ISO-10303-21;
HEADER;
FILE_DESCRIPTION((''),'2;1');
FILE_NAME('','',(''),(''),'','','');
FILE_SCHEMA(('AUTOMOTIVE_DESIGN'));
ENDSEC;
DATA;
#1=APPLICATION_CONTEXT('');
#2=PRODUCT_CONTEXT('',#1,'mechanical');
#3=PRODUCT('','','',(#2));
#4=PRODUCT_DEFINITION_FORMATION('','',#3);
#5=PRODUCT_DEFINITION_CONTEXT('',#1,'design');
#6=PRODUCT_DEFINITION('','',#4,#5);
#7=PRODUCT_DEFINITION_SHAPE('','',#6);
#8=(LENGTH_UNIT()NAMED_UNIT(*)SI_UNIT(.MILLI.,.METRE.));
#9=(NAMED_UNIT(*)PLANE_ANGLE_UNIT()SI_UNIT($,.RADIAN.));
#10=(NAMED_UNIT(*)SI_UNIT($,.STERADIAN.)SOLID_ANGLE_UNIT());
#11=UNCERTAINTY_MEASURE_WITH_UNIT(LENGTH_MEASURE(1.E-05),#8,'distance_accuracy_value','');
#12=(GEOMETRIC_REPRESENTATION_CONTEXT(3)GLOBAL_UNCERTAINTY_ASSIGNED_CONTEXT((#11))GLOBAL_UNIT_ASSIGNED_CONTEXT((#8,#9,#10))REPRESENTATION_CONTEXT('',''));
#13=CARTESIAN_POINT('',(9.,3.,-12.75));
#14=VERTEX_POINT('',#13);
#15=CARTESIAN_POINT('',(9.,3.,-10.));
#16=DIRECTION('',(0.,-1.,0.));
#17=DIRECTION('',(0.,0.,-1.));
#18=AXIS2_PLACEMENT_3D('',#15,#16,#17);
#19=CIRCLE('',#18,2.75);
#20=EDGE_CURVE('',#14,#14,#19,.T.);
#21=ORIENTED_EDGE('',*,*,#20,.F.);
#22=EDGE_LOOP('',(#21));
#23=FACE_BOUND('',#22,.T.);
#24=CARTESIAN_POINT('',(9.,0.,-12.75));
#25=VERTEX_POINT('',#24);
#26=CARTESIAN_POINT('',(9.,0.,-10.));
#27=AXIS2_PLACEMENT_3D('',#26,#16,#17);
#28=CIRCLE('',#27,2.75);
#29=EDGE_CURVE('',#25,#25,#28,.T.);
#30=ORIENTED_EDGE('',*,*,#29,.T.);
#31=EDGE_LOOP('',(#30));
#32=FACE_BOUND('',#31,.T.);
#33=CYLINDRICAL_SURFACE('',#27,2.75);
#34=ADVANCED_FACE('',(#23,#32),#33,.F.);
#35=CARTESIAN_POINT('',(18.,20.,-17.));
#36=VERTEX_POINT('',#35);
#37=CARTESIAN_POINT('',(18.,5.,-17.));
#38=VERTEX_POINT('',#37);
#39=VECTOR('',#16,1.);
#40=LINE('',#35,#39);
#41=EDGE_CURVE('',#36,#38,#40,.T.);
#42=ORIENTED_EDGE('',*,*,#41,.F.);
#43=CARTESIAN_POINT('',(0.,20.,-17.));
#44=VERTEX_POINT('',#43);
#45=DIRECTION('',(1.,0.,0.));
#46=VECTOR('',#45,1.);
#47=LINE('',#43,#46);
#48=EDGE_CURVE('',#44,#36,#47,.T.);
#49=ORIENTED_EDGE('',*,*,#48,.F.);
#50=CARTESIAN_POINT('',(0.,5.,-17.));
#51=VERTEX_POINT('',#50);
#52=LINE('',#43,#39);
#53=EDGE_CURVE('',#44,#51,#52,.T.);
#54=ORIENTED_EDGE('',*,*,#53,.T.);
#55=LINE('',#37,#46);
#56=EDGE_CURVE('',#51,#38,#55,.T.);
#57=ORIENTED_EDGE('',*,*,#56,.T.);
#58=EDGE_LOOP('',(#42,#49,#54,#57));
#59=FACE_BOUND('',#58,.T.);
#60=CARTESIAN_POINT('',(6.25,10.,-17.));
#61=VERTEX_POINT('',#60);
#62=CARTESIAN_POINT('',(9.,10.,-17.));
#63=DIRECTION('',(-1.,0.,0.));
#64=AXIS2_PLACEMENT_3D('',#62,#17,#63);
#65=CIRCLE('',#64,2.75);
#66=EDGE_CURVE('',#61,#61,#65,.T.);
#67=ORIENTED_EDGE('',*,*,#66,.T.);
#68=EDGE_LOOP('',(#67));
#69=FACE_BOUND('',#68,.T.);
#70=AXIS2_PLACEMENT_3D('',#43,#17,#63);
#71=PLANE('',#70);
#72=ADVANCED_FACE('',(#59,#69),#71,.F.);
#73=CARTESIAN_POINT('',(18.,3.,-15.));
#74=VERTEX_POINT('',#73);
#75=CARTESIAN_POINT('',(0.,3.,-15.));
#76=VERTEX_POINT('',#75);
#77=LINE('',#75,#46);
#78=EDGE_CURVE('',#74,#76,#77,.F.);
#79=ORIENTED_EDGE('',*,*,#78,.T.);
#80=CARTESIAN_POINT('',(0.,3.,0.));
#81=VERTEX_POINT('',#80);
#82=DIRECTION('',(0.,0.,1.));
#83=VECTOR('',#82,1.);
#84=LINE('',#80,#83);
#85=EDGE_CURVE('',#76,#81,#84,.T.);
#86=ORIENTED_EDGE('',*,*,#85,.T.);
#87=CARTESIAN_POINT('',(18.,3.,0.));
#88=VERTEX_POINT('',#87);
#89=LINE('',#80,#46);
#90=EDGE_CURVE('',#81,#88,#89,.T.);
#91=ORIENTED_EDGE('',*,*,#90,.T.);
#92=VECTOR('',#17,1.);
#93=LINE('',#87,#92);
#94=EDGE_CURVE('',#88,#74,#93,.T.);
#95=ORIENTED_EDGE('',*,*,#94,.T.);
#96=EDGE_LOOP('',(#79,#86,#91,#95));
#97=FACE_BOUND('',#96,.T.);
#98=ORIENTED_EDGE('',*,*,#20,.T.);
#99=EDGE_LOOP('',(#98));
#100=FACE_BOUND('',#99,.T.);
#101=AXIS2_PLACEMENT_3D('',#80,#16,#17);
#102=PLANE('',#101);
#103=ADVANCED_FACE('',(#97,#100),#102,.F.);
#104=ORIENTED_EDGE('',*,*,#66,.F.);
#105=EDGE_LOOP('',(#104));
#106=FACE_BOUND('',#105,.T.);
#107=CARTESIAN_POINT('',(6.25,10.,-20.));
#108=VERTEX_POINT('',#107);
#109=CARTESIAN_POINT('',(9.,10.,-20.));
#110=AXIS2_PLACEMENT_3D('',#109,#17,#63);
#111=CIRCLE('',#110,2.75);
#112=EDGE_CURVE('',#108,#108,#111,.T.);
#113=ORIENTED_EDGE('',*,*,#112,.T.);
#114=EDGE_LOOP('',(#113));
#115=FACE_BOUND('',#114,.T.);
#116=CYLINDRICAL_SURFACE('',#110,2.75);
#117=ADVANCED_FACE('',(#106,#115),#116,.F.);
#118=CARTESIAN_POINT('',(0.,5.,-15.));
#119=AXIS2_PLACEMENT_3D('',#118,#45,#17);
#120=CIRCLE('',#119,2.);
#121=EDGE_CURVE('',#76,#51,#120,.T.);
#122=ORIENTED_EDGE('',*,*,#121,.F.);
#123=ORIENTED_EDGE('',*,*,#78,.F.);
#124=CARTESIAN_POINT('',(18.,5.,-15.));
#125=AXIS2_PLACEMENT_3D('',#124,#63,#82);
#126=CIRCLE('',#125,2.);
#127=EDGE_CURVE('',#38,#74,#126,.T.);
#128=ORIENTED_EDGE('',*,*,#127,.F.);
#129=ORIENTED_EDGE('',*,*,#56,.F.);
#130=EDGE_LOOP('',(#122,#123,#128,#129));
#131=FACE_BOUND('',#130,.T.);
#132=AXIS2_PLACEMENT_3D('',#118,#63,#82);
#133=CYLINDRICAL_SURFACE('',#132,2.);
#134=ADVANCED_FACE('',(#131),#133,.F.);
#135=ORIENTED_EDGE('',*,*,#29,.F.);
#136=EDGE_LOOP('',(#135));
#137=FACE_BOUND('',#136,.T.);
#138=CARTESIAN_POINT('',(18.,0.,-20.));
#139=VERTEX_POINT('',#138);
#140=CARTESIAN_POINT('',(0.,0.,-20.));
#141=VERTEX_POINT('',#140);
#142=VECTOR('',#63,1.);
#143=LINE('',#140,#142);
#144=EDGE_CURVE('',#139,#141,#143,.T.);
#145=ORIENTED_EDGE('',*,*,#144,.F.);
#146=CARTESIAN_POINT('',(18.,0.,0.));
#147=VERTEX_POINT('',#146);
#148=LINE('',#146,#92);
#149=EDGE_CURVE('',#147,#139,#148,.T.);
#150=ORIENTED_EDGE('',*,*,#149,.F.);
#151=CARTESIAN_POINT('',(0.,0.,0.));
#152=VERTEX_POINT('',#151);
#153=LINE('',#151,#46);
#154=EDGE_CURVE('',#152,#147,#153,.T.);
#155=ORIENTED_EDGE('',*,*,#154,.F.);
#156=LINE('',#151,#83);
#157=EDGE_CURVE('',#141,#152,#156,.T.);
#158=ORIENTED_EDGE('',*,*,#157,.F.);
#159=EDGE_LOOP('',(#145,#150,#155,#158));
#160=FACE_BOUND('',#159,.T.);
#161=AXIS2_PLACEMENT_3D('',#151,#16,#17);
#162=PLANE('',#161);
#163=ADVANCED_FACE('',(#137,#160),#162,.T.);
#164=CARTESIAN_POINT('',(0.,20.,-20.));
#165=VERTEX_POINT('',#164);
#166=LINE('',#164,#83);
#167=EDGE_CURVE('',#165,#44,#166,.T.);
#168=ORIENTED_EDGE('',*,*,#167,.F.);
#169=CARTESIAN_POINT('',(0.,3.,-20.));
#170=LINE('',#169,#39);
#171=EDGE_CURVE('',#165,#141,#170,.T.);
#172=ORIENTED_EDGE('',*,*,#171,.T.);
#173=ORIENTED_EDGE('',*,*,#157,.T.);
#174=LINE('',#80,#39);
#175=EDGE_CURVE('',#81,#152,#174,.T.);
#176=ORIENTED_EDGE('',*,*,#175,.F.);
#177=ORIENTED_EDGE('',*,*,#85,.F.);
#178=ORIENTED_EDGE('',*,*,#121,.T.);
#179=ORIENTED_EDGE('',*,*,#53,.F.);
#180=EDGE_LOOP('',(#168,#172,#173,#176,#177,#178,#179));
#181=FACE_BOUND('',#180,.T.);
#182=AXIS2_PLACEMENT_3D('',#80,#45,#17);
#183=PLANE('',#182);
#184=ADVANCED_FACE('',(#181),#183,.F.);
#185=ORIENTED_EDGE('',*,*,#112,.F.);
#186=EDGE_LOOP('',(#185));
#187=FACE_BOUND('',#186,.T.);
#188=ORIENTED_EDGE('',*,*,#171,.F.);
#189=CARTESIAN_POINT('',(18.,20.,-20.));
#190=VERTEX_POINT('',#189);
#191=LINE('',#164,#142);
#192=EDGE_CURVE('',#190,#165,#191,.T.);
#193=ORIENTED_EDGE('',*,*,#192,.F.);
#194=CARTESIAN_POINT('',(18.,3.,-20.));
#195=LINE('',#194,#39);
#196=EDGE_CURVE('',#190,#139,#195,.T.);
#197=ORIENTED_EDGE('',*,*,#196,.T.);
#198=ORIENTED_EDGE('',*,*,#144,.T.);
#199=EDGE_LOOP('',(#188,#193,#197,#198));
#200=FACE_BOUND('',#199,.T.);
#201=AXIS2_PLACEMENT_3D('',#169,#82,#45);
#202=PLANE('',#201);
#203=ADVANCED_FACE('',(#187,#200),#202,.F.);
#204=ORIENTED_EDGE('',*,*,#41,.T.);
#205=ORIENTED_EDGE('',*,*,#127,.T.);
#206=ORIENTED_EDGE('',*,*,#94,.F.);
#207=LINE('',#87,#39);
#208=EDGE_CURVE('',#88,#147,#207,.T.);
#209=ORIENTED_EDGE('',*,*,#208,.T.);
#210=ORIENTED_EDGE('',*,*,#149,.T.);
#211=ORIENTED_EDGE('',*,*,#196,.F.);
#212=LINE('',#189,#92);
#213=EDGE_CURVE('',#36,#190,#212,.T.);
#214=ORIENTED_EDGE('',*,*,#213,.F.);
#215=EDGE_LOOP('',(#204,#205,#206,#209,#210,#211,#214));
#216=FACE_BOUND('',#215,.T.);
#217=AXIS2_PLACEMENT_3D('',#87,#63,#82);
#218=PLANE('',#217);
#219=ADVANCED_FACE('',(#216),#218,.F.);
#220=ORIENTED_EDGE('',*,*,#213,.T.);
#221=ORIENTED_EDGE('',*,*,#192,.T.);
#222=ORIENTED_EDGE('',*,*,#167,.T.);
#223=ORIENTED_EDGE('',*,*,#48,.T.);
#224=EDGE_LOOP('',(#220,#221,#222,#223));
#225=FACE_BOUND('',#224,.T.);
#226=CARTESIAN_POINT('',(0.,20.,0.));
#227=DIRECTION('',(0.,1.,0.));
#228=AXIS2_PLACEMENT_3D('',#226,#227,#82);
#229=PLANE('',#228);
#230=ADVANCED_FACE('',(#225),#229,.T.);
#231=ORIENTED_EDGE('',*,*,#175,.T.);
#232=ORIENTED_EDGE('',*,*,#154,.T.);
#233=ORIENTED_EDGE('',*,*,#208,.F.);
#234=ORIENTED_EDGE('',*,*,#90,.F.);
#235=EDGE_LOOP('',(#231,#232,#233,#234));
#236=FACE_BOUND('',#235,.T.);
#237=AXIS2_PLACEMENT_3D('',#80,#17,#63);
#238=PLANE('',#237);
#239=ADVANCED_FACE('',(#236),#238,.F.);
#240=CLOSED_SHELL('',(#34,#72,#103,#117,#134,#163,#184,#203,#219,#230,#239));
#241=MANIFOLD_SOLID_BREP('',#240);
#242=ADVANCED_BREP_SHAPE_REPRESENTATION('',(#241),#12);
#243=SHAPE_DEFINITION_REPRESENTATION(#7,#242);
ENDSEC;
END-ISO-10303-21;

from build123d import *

# Parameters (mm, degrees)
SKETCH_1_W      = 18
SKETCH_1_H      = 20
EXTRUDE_1_DEPTH = 3
SKETCH_2_W      = 18
SKETCH_2_H      = 3
EXTRUDE_2_DEPTH = 17
HOLE_WIZARD_1_D = 5.5
HOLE_WIZARD_2_D = 5.5
FILLET_1_R      = 2


with BuildPart() as part:
    # 草图1 → 凸台-拉伸1 (new body)
    with BuildSketch(Plane(origin=(0, 0, 0), x_dir=(1, 0, 0), z_dir=(0, 1, 0))):
        with Locations((9, 10)):
            Rectangle(SKETCH_1_W, SKETCH_1_H)
    extrude(amount=EXTRUDE_1_DEPTH)

    # 草图2 → 凸台-拉伸2 (add)
    with BuildSketch(Plane(origin=(0, 3, 0), x_dir=(1, 0, 0), z_dir=(0, 1, 0))):
        with Locations((9, 18.5)):
            Rectangle(SKETCH_2_W, SKETCH_2_H)
    extrude(amount=EXTRUDE_2_DEPTH)

    # 孔1 (through all)
    with Locations(Plane(origin=(0, 0, 0), x_dir=(-1, 0, 0), z_dir=(0, -1, 0))):
        with Locations((-9, 10)):
            Hole(HOLE_WIZARD_1_D / 2)

    # 孔2 (through all)
    with Locations(Plane(origin=(0, 0, -20), x_dir=(-1, 0, 0), z_dir=(0, 0, -1))):
        with Locations((-9, 10)):
            Hole(HOLE_WIZARD_2_D / 2)

    # 圆角1
    fillet_1_edges = [part.edges().sort_by_distance(p)[0] for p in [
        (9, 3, -17),
    ]]
    fillet(fillet_1_edges, radius=FILLET_1_R)


solid = part.part
